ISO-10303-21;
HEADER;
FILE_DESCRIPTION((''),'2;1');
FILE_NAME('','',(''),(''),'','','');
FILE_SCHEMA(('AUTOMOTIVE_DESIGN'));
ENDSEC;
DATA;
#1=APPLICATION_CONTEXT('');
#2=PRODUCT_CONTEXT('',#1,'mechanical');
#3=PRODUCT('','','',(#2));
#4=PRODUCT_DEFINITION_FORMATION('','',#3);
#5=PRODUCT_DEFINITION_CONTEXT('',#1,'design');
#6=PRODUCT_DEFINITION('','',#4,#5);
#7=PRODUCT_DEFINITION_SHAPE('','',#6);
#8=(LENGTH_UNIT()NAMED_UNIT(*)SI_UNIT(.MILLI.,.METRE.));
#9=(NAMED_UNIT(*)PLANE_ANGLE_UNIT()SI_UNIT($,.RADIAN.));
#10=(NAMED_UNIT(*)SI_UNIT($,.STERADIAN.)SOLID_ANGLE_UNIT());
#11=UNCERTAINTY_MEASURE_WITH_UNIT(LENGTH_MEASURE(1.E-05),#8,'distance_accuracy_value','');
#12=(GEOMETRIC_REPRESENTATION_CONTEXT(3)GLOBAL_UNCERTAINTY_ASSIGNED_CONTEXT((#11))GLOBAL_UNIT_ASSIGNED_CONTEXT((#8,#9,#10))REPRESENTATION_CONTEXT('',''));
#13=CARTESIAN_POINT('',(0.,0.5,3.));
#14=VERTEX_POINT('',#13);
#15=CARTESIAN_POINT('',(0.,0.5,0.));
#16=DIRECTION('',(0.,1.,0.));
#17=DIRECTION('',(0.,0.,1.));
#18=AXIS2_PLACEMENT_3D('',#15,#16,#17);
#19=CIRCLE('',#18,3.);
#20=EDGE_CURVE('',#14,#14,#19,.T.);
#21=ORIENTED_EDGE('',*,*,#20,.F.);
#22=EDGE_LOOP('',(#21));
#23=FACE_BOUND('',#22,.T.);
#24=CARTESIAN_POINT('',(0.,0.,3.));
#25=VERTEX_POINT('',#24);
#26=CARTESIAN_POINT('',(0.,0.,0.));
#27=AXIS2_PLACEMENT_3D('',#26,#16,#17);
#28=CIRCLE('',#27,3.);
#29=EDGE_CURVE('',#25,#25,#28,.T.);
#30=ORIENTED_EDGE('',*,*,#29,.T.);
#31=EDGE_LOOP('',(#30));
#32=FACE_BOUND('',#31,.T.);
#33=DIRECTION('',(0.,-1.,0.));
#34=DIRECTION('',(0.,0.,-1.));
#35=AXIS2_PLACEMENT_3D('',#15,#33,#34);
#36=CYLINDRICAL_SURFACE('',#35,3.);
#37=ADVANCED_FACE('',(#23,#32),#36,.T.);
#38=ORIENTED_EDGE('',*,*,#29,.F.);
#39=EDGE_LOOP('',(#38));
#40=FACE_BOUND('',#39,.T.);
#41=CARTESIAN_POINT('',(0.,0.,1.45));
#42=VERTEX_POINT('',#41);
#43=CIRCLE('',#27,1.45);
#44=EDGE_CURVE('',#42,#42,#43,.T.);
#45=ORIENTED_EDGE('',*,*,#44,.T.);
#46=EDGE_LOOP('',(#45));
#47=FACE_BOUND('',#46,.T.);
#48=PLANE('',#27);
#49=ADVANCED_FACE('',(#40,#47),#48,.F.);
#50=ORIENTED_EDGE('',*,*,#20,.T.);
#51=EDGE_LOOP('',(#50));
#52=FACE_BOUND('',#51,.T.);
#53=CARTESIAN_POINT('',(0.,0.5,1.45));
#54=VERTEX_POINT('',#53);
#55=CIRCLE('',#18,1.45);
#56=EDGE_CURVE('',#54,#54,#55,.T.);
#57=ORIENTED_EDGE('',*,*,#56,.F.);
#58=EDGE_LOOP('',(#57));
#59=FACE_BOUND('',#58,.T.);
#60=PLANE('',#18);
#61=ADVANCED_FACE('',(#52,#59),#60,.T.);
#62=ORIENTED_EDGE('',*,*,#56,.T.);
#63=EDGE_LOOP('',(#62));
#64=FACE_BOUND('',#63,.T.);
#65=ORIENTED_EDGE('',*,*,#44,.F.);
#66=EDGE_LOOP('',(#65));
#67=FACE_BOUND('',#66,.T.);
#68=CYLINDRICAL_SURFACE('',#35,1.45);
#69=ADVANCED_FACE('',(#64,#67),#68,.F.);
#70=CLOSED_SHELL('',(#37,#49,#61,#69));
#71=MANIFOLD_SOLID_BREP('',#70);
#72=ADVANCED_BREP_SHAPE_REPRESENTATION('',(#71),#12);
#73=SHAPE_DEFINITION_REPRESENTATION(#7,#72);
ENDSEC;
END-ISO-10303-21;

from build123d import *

# Parameters (mm, degrees)
SKETCH1_R      = 3
SKETCH1_R_2    = 1.45
EXTRUDE1_DEPTH = 0.5


with BuildPart() as part:
    # Sketch1 → Extrude1 (new body)
    with BuildSketch(Plane(origin=(0, 0, 0), x_dir=(1, 0, 0), z_dir=(0, 1, 0))):
        with Locations(Location((0, 0, 0), (0, 0, 270))):
            Circle(SKETCH1_R)
        with Locations(Location((0, 0, 0), (0, 0, 270))):
            Circle(SKETCH1_R_2, mode=Mode.SUBTRACT)
    extrude(amount=EXTRUDE1_DEPTH)


solid = part.part
